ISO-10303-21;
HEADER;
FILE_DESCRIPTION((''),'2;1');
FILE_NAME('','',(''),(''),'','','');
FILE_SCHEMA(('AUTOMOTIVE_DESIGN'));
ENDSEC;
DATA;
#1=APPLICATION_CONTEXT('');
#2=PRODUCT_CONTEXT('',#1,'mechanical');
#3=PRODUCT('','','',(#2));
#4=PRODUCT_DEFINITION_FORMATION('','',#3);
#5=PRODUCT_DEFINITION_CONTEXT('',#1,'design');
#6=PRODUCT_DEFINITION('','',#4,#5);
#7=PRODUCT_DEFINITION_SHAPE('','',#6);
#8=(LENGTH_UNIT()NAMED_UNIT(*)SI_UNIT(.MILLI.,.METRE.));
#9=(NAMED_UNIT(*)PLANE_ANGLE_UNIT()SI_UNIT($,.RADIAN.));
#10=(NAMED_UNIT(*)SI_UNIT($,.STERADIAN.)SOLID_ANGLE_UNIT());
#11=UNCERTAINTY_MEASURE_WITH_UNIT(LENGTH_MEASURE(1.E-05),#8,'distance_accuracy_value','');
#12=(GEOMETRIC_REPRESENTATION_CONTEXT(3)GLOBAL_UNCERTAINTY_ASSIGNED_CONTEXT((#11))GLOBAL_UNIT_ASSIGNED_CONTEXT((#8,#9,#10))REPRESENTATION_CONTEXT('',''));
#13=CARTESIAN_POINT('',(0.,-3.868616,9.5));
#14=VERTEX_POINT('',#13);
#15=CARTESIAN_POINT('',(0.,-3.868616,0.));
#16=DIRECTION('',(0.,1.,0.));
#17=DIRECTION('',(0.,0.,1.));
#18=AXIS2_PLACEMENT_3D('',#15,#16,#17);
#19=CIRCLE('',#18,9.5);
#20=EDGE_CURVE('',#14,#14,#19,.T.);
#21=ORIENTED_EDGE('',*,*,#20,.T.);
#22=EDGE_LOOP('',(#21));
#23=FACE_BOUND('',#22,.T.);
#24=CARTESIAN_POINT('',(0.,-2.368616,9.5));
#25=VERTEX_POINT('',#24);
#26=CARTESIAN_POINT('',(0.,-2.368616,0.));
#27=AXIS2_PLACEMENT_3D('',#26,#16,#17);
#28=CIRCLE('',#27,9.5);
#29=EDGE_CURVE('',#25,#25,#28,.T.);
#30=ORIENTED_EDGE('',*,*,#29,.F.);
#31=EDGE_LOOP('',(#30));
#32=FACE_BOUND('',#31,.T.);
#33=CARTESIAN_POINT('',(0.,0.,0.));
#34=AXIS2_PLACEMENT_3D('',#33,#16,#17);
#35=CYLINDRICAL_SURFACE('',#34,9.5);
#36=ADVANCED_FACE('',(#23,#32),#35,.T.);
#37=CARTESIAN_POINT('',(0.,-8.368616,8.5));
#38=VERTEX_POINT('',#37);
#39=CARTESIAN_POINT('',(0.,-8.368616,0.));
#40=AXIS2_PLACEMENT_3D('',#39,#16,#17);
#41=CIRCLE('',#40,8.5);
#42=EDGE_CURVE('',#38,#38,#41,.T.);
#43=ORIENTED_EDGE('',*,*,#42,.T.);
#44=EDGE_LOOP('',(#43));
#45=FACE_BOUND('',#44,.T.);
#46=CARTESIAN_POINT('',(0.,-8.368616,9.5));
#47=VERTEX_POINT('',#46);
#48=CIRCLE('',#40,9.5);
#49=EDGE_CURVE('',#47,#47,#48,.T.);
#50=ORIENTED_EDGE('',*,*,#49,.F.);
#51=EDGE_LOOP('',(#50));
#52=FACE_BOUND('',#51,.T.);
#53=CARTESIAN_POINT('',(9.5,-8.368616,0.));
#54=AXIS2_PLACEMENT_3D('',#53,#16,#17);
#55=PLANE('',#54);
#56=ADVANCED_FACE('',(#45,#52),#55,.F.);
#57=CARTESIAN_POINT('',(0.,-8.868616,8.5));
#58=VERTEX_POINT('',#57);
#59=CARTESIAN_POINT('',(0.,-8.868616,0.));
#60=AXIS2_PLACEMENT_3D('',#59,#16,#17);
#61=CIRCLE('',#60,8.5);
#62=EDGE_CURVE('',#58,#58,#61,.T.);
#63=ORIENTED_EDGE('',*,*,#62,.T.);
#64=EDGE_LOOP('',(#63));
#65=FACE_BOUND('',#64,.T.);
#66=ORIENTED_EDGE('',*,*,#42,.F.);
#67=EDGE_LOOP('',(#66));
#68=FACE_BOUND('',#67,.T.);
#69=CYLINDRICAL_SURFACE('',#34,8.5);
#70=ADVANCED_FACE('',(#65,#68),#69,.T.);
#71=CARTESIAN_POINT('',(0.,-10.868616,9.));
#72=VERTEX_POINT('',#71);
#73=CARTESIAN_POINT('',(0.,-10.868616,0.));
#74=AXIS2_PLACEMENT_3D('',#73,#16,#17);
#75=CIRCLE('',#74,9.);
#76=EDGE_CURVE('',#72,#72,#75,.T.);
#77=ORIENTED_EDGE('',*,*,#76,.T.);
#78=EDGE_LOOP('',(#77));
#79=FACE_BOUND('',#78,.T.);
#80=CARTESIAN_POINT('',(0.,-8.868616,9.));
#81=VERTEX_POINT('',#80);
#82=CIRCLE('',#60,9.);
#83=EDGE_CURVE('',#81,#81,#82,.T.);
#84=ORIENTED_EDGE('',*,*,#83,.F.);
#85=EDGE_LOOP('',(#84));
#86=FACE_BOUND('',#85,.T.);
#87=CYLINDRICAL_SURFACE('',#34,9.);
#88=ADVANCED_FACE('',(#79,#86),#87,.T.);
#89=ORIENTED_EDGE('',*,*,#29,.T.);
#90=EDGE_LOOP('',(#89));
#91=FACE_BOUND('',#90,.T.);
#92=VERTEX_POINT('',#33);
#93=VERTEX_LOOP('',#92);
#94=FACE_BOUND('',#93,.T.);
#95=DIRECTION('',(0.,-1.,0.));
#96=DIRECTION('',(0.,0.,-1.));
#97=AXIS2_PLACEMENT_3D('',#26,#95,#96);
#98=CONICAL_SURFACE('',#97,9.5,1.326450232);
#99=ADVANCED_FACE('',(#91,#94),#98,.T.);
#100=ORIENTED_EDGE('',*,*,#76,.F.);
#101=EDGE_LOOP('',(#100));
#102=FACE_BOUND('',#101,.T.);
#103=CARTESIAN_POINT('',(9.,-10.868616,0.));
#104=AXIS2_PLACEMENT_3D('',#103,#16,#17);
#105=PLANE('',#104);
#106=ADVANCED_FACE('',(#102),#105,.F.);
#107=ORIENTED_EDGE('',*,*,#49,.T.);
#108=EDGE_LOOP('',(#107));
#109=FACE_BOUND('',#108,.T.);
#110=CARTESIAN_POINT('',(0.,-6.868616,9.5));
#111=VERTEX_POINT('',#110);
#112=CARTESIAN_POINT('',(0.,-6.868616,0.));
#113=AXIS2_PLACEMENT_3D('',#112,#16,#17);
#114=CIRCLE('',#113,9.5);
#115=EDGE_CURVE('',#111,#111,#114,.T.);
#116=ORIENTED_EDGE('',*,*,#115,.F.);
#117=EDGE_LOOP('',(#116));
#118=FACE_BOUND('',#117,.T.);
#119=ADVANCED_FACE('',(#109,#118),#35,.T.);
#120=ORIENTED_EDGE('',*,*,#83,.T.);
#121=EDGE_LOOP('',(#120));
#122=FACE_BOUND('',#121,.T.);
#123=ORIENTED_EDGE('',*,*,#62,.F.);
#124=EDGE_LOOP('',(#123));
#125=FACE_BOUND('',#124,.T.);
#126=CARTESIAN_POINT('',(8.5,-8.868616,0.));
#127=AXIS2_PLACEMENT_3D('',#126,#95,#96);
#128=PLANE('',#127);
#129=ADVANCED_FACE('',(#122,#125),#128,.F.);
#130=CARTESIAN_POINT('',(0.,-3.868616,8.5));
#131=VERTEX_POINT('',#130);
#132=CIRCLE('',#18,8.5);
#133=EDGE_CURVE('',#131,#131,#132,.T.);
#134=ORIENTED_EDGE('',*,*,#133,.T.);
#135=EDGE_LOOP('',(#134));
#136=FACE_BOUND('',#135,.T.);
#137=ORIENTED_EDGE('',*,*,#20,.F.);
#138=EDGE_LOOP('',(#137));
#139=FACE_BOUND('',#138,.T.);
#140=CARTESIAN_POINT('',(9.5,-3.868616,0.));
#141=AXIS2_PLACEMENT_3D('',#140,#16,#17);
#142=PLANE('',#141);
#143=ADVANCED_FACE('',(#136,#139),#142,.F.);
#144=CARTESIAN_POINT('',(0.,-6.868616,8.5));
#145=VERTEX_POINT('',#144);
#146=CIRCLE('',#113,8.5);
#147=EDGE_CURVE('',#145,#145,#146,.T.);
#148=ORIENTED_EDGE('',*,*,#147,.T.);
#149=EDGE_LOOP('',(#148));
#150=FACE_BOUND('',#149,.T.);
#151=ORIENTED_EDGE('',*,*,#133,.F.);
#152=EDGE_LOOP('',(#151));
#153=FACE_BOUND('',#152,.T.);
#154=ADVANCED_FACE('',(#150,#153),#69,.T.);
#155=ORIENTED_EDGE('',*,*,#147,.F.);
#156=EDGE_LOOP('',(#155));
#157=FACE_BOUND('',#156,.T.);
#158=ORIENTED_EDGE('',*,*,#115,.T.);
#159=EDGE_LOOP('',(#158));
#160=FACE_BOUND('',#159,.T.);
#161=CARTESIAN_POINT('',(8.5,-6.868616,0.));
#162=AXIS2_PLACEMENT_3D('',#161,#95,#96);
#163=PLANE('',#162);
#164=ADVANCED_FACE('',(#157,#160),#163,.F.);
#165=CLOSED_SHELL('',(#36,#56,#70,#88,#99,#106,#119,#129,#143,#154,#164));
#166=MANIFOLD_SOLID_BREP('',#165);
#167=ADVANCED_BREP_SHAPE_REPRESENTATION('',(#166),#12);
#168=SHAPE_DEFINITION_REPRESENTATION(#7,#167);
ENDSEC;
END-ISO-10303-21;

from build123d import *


with BuildPart() as part:
    # Эскиз1 → Повернуть1 (revolve)
    with BuildSketch(Plane.XY, mode=Mode.PRIVATE) as revolve_1_sk:
        Polygon((0, 0), (9.5, -2.368616027), (9.5, -3.868616027), (8.5, -3.868616027), (8.5, -6.868616027), (9.5, -6.868616027), (9.5, -8.368616027), (8.5, -8.368616027), (8.5, -8.868616027), (9, -8.868616027), (9, -10.868616027), (0, -10.868616027), align=None)
    revolve(revolve_1_sk.sketch.rotate(Axis((0, 0, 0), (0, -1, 0)), 90), axis=Axis((0, 0, 0), (0, -1, 0)))


solid = part.part
